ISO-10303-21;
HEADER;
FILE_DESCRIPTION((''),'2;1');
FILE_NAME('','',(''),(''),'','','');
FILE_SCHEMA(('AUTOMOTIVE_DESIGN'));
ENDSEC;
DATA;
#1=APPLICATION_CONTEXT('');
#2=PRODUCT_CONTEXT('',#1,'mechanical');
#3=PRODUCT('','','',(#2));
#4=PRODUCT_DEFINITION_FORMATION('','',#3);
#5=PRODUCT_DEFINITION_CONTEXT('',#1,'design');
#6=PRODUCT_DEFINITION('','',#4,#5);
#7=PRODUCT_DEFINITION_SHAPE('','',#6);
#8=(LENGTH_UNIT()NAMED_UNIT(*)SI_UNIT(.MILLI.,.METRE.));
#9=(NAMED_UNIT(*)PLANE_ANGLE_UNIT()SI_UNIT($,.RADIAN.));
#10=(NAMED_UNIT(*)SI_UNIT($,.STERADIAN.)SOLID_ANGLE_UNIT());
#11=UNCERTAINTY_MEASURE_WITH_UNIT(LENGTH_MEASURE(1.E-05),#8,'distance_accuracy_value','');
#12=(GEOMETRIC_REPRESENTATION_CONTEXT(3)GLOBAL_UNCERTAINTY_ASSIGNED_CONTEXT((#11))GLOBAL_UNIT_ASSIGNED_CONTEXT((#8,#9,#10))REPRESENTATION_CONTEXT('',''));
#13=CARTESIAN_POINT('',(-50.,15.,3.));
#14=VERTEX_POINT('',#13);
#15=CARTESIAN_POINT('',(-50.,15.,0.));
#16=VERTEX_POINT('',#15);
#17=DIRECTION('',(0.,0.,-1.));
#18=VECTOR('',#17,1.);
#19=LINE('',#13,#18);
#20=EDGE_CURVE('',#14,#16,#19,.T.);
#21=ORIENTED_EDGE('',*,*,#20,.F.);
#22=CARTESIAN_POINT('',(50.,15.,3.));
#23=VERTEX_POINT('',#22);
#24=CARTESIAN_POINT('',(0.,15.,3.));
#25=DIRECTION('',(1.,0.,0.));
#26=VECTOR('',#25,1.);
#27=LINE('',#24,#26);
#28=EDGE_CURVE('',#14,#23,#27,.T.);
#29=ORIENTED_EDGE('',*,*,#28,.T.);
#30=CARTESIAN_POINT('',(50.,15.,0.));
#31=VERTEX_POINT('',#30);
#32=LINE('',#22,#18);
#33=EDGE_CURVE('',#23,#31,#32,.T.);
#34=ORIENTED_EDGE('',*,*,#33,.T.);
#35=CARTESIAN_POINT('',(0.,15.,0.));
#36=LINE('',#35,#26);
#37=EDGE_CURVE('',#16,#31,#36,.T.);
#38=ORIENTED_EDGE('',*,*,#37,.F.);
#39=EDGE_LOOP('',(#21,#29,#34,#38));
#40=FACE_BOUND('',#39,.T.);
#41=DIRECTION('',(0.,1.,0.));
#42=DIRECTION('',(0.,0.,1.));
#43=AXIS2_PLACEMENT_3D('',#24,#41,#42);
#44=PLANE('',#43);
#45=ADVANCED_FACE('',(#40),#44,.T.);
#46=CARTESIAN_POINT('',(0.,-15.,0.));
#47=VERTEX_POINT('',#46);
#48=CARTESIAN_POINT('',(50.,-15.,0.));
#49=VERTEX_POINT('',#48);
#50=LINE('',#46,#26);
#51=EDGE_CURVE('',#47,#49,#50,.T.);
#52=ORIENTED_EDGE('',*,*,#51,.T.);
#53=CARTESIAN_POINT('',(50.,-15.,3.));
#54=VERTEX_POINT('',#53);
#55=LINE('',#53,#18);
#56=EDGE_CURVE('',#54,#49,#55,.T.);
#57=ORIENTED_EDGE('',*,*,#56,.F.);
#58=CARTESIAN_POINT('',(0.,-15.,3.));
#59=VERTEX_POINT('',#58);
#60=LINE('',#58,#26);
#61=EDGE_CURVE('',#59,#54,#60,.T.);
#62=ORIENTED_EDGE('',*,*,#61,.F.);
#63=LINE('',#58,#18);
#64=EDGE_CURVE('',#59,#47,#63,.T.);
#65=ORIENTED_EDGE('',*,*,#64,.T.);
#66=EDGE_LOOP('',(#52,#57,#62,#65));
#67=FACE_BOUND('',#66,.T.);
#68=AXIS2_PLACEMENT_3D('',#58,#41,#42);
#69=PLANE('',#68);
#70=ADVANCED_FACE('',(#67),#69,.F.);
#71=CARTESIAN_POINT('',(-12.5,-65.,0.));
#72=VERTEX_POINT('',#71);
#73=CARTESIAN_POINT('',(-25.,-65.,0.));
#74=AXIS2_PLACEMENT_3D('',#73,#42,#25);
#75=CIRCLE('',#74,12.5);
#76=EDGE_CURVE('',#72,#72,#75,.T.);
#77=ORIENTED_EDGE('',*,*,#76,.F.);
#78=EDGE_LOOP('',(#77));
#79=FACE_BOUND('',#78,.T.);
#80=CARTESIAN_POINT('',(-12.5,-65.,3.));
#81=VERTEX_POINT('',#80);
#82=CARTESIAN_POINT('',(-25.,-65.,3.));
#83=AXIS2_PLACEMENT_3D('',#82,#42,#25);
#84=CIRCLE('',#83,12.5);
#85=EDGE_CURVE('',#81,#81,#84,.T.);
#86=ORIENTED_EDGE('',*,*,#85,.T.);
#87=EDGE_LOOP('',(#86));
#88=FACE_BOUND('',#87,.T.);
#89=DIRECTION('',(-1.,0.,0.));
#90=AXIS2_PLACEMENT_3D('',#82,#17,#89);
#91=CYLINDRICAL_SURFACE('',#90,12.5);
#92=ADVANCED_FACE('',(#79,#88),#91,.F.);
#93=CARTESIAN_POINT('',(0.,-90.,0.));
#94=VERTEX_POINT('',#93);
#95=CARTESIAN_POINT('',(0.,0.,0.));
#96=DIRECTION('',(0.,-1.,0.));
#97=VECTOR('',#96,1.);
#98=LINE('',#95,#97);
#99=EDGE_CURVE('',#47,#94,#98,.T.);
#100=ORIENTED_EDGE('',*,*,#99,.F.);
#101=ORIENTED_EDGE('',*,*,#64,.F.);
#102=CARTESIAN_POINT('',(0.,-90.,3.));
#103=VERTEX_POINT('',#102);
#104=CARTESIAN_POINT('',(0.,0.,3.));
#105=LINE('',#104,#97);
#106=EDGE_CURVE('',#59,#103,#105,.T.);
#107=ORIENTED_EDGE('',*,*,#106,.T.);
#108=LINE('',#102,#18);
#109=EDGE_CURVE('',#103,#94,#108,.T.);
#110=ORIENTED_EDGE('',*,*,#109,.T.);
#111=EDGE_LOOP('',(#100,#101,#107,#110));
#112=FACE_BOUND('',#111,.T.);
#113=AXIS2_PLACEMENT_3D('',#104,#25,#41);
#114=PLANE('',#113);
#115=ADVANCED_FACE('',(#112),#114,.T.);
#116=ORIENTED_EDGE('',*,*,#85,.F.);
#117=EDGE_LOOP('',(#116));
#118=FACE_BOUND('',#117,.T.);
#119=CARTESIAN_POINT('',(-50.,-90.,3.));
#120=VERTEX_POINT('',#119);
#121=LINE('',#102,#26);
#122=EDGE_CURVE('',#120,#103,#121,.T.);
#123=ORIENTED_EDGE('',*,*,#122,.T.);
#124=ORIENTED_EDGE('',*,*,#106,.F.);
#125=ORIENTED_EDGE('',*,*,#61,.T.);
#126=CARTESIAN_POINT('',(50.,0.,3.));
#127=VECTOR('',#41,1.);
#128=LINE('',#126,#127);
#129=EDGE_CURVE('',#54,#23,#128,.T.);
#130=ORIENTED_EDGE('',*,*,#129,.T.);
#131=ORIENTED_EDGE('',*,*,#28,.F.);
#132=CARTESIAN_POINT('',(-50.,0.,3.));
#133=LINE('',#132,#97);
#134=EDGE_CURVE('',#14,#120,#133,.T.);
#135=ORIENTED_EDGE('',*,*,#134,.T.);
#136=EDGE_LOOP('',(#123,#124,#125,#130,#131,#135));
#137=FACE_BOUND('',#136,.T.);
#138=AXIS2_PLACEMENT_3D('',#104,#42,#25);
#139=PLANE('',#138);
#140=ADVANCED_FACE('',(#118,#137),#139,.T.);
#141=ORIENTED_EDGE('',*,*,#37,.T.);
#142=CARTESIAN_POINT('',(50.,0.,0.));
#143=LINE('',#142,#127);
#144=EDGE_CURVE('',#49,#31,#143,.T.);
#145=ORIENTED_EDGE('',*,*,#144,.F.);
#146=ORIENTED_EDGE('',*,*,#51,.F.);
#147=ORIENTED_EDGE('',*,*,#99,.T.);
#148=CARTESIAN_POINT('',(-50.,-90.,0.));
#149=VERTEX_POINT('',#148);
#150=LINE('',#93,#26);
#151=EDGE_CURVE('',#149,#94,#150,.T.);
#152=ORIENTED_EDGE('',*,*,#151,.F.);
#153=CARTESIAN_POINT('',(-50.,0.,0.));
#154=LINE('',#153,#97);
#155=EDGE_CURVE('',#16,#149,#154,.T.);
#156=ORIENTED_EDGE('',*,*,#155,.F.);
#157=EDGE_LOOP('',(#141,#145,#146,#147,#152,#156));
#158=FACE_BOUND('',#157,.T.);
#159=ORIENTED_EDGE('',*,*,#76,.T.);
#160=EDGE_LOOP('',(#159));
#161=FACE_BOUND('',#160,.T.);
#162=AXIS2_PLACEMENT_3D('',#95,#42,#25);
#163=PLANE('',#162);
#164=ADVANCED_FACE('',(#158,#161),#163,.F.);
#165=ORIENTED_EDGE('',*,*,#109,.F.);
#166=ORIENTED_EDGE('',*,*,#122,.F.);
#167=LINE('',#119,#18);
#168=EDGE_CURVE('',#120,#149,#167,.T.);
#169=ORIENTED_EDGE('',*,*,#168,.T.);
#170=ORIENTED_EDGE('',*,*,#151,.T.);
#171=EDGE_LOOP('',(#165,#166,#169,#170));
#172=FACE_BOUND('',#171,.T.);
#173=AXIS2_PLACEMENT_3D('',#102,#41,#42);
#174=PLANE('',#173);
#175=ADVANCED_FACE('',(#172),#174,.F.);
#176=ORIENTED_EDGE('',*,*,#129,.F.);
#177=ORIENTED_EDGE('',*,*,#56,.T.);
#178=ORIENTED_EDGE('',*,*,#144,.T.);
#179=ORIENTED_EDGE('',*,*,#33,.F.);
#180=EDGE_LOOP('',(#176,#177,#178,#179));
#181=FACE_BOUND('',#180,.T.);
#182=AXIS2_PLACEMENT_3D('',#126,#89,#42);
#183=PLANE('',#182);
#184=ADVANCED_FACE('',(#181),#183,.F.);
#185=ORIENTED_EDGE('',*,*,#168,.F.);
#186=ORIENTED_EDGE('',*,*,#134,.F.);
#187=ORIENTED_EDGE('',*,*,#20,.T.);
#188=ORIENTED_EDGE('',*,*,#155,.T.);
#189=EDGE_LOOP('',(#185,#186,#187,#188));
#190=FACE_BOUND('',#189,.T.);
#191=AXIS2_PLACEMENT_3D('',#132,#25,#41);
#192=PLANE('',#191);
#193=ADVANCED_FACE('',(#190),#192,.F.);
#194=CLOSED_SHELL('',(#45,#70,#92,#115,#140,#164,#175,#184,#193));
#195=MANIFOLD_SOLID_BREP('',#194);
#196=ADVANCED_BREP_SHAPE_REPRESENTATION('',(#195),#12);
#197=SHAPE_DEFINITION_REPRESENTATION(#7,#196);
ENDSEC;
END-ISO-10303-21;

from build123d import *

# Parameters (mm, degrees)
SKETCH1_W           = 50
SKETCH1_H           = 75
SKETCH1_R           = 12.5
BOSS_EXTRUDE1_DEPTH = 3


with BuildPart() as part:
    # Sketch1 → Boss-Extrude1 (new body)
    with BuildSketch(Plane.XY):
        Polygon((-50, 15), (-50, -15), (0, -15), (50, -15), (50, 15), align=None)
        with Locations((-25, -52.5)):
            Rectangle(SKETCH1_W, SKETCH1_H)
        with Locations((-25, -65)):
            Circle(SKETCH1_R, mode=Mode.SUBTRACT)
    extrude(amount=BOSS_EXTRUDE1_DEPTH)


solid = part.part
